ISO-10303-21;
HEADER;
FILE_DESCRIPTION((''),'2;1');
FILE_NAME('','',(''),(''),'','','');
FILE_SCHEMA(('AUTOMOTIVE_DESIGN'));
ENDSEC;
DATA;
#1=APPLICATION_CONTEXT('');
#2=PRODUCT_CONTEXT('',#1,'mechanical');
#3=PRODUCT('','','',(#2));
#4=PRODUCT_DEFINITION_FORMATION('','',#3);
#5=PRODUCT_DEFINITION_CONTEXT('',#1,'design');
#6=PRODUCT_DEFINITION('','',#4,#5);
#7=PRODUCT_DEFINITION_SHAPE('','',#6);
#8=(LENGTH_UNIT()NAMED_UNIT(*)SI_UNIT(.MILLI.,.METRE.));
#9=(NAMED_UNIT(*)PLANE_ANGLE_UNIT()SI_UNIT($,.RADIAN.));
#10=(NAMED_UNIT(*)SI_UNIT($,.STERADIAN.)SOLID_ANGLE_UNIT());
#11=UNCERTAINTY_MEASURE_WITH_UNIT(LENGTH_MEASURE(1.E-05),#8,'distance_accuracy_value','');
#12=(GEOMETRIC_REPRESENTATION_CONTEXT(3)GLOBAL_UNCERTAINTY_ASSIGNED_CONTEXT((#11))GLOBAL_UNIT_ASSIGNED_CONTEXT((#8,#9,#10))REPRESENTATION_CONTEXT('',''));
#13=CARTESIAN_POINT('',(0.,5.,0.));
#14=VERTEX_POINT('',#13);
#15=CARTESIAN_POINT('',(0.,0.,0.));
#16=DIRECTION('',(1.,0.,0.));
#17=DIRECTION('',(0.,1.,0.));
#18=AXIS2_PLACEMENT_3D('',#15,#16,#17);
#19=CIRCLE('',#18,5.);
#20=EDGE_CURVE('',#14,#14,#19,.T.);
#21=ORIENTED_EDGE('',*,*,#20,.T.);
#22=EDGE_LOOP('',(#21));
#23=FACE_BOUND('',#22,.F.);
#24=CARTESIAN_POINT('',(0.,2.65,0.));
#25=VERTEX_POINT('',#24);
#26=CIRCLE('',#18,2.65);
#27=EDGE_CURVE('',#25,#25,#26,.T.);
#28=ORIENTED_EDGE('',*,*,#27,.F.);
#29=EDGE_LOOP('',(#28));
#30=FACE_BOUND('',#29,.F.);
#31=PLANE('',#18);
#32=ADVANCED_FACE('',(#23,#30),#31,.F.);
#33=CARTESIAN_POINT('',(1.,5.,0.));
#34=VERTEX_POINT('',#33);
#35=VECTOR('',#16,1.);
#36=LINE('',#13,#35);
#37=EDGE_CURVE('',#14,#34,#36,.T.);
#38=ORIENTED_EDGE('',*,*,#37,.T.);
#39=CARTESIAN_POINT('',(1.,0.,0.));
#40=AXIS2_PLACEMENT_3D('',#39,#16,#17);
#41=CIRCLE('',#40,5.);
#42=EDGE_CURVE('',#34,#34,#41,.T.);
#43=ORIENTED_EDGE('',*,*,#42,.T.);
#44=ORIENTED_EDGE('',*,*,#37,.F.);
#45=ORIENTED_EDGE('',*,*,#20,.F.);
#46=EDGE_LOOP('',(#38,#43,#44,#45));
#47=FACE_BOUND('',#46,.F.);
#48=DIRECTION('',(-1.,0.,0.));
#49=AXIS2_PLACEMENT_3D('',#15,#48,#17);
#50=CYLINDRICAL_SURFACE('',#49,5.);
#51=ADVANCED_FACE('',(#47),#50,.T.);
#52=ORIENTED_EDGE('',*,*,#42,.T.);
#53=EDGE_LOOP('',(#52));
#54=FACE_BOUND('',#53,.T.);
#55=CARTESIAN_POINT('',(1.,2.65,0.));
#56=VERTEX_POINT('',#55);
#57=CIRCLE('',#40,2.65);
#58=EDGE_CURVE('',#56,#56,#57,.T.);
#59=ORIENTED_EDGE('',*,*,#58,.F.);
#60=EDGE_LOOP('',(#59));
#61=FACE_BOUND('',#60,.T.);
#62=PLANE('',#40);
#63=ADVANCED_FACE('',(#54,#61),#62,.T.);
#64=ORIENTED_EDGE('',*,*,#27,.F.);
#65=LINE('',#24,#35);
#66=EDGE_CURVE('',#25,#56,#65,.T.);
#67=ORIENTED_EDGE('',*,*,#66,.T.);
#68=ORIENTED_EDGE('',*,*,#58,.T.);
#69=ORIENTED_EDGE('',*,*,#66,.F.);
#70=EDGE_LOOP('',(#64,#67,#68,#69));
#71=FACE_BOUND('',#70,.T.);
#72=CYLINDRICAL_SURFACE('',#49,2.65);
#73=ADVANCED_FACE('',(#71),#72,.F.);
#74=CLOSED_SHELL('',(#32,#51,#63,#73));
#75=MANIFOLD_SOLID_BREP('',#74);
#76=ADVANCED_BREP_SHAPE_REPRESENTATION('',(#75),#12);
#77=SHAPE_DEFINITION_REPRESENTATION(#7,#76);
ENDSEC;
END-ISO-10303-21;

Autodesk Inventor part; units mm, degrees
ref_plane "YZ Plane" through (0, 0, 0) normal (1, 0, 0) x (0, 1, 0)
ref_plane "XZ Plane" through (0, 0, 0) normal (0, 1, 0) x (-1, 0, 0)
sketch "Esquisse" plane through (0, 0, 0) normal (1, 0, 0) x (0, 1, 0)
  circle A0 centre (0, 0) radius 5
  circle A1 centre (0, 0) radius 2.65
  dimension "d0" = 5.3
  dimension "d1" = 10
extrude "Corps" add sketch "Esquisse" along normal blind 1
ref_plane "Work Plane1" through (0, 0, 0) normal (0, 0, 1) x (1, 0, 0)
equation "\"d0\" = SD1"
equation "\"d1\" = SD2"
equation "\"d2\" = SD"
equation "\"SD1\" = 5.3"
equation "\"SD2\" = 10"
equation "\"SD\" = 1"
equation "\"NND\" = 5"
properties part number "ISO 7089 - 5 - 140 HV" material "Acier inoxydable"
